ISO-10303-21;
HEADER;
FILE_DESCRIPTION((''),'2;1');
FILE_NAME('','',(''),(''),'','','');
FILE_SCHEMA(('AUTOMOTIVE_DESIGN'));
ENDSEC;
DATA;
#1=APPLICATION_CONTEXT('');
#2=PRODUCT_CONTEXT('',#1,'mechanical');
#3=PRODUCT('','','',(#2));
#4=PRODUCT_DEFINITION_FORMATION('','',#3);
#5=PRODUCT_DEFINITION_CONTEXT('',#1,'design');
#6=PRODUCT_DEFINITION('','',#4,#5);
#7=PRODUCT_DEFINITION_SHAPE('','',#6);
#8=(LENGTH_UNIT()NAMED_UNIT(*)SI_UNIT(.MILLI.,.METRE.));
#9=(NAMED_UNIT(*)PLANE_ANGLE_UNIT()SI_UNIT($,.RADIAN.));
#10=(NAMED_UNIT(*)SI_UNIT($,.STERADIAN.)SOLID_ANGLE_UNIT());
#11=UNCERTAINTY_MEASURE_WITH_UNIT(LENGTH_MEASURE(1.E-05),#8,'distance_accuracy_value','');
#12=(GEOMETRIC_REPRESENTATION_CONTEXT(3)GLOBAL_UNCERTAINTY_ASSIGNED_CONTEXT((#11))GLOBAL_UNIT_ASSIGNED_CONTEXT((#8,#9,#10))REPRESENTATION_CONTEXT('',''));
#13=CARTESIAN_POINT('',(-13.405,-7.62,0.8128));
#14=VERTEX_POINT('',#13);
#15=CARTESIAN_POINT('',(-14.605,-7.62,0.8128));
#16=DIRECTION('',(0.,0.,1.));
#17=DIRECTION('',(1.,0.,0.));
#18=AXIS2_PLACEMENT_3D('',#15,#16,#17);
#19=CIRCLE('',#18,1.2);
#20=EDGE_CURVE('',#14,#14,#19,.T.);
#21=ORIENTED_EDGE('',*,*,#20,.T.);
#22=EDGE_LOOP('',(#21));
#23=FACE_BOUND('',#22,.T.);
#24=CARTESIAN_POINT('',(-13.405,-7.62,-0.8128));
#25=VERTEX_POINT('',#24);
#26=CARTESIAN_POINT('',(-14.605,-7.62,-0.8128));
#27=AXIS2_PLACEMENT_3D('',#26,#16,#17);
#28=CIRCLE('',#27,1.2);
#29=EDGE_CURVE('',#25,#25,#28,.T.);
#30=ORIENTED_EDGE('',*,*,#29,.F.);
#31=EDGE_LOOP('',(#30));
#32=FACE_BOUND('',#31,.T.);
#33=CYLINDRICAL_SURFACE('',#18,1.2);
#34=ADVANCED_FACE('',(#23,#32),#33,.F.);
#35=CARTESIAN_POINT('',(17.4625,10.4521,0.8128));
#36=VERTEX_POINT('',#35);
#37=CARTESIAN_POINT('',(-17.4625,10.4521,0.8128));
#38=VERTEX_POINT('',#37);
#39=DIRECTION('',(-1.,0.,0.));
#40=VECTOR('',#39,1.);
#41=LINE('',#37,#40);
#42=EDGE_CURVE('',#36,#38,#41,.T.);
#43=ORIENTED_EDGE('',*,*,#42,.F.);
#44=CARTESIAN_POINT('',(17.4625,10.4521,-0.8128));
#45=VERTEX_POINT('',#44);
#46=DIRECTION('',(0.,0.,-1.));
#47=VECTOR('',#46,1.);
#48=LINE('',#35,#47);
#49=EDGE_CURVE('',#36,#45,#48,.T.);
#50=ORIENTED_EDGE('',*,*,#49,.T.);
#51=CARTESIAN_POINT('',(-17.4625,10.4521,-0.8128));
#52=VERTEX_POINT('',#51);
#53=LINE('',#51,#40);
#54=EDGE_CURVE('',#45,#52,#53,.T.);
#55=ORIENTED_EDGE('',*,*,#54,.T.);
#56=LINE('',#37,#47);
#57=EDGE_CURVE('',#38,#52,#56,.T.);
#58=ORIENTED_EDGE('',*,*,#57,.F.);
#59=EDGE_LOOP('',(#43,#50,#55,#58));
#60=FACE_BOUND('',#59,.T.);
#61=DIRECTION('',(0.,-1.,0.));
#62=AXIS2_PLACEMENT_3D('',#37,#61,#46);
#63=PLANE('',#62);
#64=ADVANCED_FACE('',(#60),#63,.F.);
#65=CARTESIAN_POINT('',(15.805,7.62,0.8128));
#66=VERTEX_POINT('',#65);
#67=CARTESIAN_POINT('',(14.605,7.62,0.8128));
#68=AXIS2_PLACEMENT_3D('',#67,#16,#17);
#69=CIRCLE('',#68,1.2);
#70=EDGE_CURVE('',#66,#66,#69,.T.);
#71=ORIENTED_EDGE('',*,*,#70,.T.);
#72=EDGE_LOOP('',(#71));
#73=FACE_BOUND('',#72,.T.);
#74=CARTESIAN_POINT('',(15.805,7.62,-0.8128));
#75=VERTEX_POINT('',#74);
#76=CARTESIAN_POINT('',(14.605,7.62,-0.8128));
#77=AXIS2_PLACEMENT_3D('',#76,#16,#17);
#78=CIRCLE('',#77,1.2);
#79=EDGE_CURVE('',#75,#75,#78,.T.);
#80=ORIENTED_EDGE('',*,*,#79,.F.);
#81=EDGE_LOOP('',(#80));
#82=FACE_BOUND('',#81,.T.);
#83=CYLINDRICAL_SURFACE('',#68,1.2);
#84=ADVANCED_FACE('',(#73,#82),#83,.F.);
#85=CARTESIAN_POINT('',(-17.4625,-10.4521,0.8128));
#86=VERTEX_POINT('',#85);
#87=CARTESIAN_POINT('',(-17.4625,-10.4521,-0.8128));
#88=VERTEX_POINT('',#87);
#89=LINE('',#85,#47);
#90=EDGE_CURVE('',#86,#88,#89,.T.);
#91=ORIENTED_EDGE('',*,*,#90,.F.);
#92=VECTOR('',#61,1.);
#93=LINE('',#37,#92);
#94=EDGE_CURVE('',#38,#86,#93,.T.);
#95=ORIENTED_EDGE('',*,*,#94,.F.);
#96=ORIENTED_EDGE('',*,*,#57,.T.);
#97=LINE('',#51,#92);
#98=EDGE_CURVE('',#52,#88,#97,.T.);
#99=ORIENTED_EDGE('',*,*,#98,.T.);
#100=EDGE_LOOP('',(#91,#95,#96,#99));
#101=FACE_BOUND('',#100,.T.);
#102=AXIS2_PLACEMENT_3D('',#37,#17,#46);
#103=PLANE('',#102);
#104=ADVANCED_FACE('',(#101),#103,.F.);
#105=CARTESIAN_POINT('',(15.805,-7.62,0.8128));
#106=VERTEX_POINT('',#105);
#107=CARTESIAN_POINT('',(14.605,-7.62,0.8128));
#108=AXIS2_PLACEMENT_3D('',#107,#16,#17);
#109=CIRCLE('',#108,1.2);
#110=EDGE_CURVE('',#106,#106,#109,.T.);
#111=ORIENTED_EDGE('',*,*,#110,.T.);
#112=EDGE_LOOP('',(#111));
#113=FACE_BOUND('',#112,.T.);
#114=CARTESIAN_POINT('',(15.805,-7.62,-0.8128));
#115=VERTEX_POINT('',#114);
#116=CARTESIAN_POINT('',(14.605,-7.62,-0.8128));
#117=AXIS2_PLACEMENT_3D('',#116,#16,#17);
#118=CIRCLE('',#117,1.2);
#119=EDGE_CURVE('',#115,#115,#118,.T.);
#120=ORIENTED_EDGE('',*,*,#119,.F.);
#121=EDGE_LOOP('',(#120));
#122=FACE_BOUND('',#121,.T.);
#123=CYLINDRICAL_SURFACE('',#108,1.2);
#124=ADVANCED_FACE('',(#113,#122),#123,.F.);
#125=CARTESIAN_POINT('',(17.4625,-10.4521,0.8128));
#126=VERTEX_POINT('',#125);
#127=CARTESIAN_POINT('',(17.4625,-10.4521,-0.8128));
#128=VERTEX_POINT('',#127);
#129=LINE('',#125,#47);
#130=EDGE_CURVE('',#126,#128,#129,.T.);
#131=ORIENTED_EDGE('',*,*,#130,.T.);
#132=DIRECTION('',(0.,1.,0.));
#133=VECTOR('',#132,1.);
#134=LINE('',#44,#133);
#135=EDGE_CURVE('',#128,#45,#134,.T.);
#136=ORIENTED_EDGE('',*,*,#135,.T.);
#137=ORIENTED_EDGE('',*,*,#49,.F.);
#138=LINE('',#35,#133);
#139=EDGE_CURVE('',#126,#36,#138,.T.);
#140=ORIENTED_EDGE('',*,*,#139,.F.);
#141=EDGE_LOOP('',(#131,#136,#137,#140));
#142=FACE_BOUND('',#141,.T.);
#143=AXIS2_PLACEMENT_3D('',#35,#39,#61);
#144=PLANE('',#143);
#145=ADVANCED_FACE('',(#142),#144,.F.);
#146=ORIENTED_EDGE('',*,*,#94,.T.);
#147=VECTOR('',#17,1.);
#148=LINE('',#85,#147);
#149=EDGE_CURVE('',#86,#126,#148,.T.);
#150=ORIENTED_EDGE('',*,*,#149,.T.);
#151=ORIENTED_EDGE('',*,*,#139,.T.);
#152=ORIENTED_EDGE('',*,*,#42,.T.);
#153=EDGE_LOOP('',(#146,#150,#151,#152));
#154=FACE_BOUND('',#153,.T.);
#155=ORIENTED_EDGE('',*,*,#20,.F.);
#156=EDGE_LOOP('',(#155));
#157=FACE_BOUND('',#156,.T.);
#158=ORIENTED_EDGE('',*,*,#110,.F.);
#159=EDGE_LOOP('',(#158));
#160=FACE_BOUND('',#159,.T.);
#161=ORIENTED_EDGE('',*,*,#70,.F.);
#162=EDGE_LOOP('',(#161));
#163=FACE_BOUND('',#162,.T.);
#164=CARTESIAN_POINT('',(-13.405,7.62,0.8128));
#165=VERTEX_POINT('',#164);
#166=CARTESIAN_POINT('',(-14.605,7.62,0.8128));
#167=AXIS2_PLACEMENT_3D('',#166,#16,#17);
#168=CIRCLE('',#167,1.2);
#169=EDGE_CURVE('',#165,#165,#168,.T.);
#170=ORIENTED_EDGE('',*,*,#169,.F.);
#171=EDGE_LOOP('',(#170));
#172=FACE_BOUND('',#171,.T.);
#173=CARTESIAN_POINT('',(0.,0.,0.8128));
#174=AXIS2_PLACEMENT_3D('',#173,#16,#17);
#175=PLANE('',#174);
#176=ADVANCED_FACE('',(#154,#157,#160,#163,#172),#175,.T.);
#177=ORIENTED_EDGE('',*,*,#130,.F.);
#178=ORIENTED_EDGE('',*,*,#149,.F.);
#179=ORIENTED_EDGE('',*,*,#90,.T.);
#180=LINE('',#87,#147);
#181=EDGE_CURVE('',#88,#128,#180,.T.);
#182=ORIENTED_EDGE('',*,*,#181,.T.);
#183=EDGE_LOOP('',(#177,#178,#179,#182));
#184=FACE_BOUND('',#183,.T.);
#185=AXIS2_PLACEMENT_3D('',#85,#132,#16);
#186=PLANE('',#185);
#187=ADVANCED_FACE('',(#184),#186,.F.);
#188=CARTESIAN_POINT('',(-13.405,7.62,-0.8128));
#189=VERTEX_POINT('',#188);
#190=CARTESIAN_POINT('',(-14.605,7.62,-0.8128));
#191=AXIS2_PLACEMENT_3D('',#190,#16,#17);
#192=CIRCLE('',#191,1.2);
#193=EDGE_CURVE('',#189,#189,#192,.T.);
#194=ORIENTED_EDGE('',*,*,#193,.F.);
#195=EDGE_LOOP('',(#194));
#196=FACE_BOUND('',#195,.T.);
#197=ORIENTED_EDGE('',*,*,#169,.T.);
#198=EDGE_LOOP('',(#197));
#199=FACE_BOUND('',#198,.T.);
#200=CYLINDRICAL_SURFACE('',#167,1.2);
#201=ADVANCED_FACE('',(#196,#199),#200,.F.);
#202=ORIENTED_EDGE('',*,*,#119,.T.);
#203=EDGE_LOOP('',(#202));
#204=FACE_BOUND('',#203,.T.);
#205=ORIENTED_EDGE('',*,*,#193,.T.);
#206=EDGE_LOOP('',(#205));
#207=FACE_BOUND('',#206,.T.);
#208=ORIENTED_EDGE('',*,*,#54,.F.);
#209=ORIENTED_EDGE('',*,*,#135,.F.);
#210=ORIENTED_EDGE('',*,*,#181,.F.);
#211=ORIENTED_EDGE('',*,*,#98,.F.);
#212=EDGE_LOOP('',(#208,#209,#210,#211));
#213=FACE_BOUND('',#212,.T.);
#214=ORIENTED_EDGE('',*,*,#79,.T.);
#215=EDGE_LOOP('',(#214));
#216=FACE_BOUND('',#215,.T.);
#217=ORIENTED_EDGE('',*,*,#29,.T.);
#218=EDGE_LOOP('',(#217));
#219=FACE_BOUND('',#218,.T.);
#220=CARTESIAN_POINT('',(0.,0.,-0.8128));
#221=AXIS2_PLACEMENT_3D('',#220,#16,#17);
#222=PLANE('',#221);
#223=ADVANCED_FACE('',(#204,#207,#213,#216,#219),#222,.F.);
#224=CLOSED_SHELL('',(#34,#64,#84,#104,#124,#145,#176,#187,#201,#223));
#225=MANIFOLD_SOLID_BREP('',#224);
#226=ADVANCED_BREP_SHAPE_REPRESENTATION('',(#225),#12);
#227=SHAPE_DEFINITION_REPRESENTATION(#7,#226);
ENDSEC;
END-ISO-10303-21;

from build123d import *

# Parameters (mm, degrees)
SKETCH1_W            = 34.925
SKETCH1_H            = 20.9042
BOSS_EXTRUDE1_DEPTH  = 0.8128
M2_CLEARANCE_HOLE1_D = 2.4


with BuildPart() as part:
    # Sketch1 → Boss-Extrude1 (new, symmetric)
    with BuildSketch(Plane.XY):
        Rectangle(SKETCH1_W, SKETCH1_H)
    extrude(amount=BOSS_EXTRUDE1_DEPTH, both=True)

    # M2 Clearance Hole1 (through all)
    with Locations(Plane.XY.offset(0.8128)):
        with Locations((-14.605, 7.62), (14.605, 7.62), (14.605, -7.62), (-14.605, -7.62)):
            Hole(M2_CLEARANCE_HOLE1_D / 2)


solid = part.part
